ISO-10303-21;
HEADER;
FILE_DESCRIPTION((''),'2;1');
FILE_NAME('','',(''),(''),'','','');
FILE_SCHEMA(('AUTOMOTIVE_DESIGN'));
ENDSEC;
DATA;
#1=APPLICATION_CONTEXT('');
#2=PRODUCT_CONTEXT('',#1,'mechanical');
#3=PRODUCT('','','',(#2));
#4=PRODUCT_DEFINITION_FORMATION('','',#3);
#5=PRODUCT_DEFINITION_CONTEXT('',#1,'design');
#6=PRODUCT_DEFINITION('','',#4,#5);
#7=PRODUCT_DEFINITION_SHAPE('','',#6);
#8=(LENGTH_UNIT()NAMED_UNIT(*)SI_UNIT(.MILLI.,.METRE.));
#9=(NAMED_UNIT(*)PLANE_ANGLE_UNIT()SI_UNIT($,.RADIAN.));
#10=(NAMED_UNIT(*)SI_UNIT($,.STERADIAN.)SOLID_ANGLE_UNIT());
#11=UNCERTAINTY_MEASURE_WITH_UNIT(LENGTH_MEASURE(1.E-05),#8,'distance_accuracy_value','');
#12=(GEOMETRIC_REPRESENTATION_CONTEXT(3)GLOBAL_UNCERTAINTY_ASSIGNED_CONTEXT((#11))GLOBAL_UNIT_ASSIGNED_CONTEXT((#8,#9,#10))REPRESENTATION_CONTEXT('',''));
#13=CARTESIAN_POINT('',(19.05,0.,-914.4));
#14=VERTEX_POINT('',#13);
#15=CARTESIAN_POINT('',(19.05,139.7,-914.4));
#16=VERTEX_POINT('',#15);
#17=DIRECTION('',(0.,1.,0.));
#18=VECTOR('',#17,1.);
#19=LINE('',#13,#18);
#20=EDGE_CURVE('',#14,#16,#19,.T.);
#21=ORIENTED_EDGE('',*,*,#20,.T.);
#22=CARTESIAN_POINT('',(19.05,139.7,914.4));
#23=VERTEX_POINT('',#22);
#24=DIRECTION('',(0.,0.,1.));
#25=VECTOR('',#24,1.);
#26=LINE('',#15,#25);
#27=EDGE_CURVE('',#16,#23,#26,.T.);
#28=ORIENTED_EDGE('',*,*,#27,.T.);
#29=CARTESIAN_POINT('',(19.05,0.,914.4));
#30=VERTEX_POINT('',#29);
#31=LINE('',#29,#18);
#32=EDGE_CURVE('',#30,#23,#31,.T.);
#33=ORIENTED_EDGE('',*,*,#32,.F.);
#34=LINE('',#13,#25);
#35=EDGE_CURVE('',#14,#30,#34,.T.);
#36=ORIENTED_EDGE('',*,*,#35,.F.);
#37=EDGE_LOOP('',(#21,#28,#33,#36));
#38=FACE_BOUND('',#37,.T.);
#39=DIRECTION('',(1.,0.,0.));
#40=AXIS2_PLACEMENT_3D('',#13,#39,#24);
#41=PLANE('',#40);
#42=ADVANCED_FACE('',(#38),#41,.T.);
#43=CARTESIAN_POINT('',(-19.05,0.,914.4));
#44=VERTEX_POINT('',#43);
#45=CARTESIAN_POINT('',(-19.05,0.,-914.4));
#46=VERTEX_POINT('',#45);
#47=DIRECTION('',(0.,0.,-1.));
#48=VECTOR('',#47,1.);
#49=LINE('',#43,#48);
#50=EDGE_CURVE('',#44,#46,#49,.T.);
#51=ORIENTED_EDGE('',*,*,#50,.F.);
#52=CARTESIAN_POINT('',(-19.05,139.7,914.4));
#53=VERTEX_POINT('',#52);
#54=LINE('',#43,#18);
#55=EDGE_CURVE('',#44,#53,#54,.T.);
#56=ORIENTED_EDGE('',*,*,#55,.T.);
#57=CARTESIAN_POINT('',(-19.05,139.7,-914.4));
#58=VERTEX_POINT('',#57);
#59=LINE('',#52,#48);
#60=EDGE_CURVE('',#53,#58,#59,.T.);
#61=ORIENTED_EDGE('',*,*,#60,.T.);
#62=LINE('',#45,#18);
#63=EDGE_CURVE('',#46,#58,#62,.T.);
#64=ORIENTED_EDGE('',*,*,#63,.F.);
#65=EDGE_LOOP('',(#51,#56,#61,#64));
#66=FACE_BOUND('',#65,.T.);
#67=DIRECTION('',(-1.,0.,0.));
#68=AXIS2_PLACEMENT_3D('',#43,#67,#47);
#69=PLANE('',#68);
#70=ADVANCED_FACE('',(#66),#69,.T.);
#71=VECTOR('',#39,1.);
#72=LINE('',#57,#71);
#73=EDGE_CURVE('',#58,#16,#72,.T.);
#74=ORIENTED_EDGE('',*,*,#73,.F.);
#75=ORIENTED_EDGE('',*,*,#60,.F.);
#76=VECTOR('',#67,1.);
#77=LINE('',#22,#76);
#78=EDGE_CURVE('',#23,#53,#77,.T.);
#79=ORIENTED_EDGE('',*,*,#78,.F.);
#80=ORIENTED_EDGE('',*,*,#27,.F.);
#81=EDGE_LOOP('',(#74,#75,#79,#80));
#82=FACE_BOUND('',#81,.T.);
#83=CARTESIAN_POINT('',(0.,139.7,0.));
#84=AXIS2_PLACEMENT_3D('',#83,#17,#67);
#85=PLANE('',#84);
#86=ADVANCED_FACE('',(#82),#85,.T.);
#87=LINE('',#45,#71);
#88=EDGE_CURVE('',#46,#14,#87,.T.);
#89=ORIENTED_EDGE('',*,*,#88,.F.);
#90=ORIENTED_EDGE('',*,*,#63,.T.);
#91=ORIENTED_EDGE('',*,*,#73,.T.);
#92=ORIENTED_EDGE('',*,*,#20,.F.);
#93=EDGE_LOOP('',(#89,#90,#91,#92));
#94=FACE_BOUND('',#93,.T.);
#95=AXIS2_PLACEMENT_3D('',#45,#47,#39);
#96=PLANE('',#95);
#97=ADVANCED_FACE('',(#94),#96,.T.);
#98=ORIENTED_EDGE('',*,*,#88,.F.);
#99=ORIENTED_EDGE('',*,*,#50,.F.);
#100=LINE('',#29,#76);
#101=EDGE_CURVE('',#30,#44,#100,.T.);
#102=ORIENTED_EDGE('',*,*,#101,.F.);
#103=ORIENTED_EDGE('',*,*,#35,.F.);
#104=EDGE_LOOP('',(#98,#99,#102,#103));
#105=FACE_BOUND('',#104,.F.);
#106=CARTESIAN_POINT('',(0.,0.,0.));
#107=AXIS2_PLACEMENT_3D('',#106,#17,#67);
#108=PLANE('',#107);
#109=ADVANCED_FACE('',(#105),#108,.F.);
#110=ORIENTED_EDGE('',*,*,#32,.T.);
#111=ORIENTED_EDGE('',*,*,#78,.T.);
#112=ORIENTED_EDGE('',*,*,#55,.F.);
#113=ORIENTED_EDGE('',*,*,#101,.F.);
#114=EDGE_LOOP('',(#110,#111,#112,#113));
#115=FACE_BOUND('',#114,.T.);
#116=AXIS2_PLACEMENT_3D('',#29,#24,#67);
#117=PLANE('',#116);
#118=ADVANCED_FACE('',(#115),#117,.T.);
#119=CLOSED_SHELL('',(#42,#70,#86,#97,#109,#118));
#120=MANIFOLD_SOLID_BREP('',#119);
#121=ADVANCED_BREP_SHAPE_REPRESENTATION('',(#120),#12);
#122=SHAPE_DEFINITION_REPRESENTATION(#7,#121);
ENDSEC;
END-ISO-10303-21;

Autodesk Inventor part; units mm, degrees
ref_plane "YZ Plane" through (0, 0, 0) normal (1, 0, 0) x (0, 1, 0)
ref_plane "XZ Plane" through (0, 0, 0) normal (0, 1, 0) x (-1, 0, 0)
ref_plane "XY Plane" through (0, 0, 0) normal (0, 0, 1) x (1, 0, 0)
sketch "Sketch1" plane through (0, 0, 0) normal (0, 1, 0) x (-1, 0, 0)
  line L0 (-19.05, 914.4) -> (19.05, 914.4)
  line L1 (19.05, 914.4) -> (19.05, -914.4)
  line L2 (19.05, -914.4) -> (-19.05, -914.4)
  line L3 (-19.05, -914.4) -> (-19.05, 914.4)
  line L4 (-19.05, 914.4) -> (19.05, -914.4) construction
  line L5 (19.05, 914.4) -> (-19.05, -914.4) construction
  point P0 (0, 0)
  dimension "d0" = 38.1
  dimension "d1" = 1828.8
extrude "Extrusion1" add sketch "Sketch1" along normal blind 139.7
properties part number "2x6" material "Wood (Oak)"
